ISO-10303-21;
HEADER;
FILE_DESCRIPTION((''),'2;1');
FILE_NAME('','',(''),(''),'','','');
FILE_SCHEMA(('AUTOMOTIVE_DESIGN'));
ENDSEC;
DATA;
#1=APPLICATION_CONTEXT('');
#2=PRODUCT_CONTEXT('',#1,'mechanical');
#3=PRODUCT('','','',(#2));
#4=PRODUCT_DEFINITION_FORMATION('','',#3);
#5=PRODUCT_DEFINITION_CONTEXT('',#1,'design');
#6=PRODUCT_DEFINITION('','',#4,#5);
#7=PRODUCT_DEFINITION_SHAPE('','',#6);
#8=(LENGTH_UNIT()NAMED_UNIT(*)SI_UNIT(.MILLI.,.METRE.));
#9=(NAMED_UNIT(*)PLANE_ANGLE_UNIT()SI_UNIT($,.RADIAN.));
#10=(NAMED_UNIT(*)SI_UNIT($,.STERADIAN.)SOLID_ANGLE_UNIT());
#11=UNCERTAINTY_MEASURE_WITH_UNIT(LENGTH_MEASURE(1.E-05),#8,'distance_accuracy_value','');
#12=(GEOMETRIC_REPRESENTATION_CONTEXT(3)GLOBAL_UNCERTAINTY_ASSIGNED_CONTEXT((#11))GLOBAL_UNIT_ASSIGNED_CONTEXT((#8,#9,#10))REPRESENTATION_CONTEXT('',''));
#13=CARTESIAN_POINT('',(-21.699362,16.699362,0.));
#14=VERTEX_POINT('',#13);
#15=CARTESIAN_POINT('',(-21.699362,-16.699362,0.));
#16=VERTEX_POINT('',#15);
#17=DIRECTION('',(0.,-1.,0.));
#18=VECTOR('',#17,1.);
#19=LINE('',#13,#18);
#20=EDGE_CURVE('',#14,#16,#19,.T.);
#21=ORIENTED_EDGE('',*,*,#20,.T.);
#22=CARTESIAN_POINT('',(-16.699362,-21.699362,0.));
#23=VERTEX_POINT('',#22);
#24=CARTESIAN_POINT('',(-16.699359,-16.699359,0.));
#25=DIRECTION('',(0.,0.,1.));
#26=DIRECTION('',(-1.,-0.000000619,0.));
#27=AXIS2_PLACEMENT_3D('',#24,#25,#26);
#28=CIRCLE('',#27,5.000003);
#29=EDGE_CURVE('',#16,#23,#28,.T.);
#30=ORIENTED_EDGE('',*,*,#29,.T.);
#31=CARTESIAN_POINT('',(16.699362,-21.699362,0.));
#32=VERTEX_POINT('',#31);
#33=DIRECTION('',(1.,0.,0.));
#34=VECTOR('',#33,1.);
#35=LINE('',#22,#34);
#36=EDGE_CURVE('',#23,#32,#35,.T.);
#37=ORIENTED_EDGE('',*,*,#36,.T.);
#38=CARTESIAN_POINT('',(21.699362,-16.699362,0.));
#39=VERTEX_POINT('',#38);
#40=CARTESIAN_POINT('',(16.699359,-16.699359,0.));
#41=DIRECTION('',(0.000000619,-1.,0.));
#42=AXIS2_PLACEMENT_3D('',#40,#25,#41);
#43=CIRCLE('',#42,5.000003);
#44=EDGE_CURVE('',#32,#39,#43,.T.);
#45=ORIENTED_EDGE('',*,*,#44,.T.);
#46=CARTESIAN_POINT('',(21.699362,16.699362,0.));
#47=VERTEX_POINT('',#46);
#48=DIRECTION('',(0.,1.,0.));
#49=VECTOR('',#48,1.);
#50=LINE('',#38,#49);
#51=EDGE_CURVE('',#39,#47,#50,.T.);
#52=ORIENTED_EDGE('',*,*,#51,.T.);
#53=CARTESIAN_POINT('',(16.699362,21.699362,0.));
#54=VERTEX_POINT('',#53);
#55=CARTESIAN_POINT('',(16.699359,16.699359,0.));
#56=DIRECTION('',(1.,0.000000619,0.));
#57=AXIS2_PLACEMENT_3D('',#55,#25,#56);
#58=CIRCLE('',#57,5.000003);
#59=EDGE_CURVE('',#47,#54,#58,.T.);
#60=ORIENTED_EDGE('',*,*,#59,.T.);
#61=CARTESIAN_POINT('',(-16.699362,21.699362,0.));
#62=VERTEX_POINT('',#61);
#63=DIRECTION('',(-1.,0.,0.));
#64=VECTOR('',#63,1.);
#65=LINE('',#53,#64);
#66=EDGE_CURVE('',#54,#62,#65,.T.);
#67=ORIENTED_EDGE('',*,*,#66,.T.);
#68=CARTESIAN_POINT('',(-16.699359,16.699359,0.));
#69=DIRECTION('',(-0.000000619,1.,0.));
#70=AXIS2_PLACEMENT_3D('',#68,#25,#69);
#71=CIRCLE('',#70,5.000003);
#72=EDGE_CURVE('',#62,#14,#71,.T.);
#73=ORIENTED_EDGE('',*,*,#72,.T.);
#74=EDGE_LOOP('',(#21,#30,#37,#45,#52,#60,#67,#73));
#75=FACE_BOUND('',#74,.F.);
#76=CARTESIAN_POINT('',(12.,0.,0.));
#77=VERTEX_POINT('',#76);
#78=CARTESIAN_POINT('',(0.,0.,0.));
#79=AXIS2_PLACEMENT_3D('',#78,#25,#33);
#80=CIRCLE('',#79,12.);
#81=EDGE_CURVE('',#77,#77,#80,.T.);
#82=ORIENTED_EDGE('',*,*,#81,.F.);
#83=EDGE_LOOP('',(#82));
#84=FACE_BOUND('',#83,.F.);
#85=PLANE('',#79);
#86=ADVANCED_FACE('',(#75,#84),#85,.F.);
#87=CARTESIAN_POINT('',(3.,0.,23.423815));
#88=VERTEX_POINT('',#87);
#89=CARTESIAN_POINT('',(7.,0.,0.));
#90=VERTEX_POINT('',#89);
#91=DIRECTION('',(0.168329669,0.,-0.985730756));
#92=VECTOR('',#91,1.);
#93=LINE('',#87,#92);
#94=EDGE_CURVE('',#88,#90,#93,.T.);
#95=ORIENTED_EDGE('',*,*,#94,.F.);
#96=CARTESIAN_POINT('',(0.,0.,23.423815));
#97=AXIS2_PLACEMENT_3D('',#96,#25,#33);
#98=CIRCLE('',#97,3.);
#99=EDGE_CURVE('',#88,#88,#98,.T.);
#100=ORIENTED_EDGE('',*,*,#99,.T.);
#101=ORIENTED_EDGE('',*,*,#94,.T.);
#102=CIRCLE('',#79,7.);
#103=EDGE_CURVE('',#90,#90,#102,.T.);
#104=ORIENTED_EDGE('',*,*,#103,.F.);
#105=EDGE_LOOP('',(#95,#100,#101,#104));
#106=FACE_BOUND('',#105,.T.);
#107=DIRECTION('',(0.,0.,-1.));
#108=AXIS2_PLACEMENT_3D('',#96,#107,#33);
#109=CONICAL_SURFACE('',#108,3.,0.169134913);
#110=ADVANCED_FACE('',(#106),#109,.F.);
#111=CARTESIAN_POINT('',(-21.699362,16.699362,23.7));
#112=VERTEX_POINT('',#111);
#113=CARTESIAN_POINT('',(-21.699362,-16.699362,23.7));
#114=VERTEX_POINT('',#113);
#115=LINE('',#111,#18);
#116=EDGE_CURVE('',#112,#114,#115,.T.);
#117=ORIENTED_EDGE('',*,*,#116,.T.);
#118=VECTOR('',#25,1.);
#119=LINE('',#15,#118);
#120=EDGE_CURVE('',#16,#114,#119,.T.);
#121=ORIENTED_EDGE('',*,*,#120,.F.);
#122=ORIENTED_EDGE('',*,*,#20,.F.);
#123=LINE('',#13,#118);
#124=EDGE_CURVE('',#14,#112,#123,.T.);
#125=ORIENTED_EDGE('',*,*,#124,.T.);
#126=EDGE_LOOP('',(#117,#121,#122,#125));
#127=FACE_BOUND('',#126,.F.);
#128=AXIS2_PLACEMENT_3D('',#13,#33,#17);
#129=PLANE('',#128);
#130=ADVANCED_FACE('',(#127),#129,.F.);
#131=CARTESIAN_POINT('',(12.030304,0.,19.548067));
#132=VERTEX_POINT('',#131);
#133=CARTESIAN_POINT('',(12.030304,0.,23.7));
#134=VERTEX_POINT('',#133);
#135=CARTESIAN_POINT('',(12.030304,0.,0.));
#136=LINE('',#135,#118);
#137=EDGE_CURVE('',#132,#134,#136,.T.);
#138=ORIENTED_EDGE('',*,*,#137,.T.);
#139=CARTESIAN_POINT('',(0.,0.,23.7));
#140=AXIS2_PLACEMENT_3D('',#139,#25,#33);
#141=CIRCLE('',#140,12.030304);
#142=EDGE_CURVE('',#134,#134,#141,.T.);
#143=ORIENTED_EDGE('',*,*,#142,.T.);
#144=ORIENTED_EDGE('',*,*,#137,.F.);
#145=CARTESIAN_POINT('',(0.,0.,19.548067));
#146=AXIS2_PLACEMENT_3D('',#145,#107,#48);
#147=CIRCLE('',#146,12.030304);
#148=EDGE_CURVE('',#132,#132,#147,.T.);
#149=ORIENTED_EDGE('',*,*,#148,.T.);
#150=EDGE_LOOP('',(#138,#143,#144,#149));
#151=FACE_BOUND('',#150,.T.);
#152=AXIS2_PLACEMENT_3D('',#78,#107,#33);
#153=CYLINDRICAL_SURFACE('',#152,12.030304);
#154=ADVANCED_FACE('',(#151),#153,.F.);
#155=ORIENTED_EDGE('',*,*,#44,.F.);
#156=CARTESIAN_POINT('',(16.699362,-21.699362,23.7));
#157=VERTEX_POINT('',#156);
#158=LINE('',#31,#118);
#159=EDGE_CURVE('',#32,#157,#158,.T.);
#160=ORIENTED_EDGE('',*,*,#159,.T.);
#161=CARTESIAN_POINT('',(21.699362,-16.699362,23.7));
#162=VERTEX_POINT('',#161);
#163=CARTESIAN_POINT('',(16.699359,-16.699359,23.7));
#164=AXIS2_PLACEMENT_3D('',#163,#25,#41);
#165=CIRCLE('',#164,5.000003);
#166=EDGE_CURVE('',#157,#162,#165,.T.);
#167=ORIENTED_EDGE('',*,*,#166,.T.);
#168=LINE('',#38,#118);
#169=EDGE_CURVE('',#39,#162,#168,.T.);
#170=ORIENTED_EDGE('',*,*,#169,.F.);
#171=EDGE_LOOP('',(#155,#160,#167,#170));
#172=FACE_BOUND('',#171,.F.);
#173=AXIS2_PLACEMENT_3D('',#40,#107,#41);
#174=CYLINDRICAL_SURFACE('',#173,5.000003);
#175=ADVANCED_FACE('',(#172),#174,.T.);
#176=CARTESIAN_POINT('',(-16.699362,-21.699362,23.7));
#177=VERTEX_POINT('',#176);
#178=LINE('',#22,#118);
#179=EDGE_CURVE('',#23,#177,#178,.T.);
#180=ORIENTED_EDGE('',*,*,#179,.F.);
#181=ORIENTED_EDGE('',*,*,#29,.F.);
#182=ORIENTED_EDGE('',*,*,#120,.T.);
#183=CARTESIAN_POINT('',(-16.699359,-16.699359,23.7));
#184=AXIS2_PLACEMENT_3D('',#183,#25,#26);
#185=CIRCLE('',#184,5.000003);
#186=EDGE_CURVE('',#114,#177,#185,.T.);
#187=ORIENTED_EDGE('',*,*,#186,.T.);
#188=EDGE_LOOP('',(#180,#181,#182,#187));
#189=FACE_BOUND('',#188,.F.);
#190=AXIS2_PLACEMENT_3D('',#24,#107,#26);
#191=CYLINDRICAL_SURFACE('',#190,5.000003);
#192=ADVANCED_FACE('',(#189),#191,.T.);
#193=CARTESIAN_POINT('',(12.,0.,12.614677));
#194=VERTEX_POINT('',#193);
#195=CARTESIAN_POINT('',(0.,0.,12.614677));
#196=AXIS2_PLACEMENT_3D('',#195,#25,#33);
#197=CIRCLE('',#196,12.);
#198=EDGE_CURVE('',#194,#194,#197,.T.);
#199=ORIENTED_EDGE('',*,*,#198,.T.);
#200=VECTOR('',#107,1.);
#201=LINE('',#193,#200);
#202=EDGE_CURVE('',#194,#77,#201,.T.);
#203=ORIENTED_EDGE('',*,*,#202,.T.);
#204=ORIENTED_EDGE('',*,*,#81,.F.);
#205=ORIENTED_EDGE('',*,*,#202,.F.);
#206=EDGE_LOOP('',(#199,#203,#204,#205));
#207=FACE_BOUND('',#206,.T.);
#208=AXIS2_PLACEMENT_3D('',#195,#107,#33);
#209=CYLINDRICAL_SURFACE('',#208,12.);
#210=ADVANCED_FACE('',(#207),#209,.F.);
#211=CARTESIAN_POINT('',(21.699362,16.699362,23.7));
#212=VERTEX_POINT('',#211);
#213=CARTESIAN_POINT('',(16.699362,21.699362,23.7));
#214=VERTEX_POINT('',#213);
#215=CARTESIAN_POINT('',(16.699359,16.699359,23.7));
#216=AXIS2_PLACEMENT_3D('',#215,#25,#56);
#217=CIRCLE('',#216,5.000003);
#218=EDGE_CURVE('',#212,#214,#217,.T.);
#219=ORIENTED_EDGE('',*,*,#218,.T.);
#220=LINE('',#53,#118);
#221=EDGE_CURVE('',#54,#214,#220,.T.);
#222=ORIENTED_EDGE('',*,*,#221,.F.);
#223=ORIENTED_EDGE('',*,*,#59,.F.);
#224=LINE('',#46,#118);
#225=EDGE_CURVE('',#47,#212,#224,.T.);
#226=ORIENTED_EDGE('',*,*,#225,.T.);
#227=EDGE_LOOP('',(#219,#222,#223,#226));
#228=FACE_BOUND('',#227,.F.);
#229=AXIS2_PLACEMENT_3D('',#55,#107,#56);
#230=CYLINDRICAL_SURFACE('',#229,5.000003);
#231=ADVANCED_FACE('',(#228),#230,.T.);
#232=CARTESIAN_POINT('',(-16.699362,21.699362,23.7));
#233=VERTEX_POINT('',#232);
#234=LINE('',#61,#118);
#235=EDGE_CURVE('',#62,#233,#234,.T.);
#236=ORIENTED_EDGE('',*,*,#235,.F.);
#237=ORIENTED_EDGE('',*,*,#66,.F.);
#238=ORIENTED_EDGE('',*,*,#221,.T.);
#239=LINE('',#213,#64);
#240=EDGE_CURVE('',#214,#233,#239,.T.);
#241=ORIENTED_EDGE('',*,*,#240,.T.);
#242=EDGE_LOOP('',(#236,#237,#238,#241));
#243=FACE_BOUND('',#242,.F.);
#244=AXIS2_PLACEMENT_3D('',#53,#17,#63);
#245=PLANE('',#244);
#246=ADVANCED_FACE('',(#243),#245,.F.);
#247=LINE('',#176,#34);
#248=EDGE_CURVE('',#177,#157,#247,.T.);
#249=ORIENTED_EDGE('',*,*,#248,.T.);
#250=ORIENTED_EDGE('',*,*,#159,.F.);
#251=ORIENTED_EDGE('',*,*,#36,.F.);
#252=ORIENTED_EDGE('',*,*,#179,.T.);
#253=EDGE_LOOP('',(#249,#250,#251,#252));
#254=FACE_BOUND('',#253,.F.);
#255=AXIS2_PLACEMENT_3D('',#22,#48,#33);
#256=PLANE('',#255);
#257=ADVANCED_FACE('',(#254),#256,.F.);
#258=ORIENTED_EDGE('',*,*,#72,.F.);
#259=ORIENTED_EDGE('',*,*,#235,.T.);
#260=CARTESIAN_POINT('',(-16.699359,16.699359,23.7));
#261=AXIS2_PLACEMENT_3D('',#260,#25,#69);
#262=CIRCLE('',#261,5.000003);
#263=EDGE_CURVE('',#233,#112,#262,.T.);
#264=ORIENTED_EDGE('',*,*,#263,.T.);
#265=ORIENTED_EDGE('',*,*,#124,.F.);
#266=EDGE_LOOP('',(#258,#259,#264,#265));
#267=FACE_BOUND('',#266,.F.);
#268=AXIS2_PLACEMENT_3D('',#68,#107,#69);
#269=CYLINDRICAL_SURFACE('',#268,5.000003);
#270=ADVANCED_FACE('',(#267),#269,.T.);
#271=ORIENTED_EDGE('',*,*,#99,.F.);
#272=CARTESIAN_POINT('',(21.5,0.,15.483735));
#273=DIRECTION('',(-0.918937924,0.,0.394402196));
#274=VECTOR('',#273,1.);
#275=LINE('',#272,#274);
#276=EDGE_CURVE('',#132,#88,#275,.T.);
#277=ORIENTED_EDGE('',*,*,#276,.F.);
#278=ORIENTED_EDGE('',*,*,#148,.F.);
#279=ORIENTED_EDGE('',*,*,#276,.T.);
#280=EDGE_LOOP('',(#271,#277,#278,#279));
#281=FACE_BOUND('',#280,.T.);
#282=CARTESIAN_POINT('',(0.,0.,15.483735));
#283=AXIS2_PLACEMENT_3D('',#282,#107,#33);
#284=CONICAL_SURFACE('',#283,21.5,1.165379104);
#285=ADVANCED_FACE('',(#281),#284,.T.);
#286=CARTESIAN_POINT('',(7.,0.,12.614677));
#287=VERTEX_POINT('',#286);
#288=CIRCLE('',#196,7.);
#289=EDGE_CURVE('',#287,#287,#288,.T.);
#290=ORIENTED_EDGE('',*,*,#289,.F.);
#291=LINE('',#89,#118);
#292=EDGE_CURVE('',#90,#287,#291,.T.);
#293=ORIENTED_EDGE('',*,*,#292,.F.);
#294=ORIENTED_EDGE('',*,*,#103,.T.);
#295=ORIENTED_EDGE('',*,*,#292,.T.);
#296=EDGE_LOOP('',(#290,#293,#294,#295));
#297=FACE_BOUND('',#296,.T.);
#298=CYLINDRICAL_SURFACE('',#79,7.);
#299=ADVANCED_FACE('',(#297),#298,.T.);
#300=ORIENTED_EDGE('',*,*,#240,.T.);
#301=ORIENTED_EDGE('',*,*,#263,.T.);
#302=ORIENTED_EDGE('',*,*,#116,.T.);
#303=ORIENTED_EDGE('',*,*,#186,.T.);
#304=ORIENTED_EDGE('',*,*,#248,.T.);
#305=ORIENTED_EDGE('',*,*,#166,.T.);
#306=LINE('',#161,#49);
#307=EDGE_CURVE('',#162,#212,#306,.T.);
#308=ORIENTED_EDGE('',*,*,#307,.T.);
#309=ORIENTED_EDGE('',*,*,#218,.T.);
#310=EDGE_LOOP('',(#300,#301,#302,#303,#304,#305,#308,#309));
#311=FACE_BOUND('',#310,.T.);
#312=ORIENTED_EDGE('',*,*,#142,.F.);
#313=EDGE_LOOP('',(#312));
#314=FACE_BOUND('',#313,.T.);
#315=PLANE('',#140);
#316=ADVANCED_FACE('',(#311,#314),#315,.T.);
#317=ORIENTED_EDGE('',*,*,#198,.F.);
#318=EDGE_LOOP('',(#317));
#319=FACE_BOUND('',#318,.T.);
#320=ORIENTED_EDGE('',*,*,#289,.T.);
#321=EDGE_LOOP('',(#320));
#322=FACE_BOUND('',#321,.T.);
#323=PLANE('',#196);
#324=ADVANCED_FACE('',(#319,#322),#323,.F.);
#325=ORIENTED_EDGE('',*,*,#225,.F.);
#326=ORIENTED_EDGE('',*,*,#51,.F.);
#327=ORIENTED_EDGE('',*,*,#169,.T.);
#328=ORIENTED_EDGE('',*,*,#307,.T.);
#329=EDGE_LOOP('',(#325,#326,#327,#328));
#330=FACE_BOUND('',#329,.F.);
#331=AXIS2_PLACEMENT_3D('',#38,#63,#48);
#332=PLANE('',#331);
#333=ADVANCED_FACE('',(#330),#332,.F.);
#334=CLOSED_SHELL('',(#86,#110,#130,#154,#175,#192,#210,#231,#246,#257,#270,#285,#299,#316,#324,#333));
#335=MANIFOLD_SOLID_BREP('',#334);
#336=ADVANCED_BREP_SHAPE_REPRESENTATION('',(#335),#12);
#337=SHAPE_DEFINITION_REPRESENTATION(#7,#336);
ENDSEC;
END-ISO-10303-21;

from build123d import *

# Parameters (mm, degrees)
F2_R     = 12.030304
F3_DEPTH = 23.7


with BuildPart() as f1:
    # F0 (on Front) → F1 (revolve)
    with BuildSketch(Plane.XZ):
        Polygon((21.5, 15.483735), (3, 23.423815), (7, 0), (7, 12.614677), (12, 12.614677), (12, 0), (21.5, 0), align=None)
    revolve(axis=Axis((0, 0, 20), (0, 0, 1)))

    # F2 (on Top) → F3 (join)
    with BuildSketch(Plane.XY):
        with BuildLine():
            Line((16.699362, 21.699362), (-16.699362, 21.699362))
            ThreePointArc((-16.699362, 21.699362), (-20.234895, 20.234895), (-21.699362, 16.699362))
            Line((-21.699362, 16.699362), (-21.699362, -16.699362))
            ThreePointArc((-21.699362, -16.699362), (-20.234895, -20.234895), (-16.699362, -21.699362))
            Line((-16.699362, -21.699362), (16.699362, -21.699362))
            ThreePointArc((16.699362, -21.699362), (20.234895, -20.234895), (21.699362, -16.699362))
            Line((21.699362, -16.699362), (21.699362, 16.699362))
            ThreePointArc((21.699362, 16.699362), (20.234895, 20.234895), (16.699362, 21.699362))
        make_face()
        Circle(F2_R, mode=Mode.SUBTRACT)
    extrude(amount=F3_DEPTH)


solid = f1.part
